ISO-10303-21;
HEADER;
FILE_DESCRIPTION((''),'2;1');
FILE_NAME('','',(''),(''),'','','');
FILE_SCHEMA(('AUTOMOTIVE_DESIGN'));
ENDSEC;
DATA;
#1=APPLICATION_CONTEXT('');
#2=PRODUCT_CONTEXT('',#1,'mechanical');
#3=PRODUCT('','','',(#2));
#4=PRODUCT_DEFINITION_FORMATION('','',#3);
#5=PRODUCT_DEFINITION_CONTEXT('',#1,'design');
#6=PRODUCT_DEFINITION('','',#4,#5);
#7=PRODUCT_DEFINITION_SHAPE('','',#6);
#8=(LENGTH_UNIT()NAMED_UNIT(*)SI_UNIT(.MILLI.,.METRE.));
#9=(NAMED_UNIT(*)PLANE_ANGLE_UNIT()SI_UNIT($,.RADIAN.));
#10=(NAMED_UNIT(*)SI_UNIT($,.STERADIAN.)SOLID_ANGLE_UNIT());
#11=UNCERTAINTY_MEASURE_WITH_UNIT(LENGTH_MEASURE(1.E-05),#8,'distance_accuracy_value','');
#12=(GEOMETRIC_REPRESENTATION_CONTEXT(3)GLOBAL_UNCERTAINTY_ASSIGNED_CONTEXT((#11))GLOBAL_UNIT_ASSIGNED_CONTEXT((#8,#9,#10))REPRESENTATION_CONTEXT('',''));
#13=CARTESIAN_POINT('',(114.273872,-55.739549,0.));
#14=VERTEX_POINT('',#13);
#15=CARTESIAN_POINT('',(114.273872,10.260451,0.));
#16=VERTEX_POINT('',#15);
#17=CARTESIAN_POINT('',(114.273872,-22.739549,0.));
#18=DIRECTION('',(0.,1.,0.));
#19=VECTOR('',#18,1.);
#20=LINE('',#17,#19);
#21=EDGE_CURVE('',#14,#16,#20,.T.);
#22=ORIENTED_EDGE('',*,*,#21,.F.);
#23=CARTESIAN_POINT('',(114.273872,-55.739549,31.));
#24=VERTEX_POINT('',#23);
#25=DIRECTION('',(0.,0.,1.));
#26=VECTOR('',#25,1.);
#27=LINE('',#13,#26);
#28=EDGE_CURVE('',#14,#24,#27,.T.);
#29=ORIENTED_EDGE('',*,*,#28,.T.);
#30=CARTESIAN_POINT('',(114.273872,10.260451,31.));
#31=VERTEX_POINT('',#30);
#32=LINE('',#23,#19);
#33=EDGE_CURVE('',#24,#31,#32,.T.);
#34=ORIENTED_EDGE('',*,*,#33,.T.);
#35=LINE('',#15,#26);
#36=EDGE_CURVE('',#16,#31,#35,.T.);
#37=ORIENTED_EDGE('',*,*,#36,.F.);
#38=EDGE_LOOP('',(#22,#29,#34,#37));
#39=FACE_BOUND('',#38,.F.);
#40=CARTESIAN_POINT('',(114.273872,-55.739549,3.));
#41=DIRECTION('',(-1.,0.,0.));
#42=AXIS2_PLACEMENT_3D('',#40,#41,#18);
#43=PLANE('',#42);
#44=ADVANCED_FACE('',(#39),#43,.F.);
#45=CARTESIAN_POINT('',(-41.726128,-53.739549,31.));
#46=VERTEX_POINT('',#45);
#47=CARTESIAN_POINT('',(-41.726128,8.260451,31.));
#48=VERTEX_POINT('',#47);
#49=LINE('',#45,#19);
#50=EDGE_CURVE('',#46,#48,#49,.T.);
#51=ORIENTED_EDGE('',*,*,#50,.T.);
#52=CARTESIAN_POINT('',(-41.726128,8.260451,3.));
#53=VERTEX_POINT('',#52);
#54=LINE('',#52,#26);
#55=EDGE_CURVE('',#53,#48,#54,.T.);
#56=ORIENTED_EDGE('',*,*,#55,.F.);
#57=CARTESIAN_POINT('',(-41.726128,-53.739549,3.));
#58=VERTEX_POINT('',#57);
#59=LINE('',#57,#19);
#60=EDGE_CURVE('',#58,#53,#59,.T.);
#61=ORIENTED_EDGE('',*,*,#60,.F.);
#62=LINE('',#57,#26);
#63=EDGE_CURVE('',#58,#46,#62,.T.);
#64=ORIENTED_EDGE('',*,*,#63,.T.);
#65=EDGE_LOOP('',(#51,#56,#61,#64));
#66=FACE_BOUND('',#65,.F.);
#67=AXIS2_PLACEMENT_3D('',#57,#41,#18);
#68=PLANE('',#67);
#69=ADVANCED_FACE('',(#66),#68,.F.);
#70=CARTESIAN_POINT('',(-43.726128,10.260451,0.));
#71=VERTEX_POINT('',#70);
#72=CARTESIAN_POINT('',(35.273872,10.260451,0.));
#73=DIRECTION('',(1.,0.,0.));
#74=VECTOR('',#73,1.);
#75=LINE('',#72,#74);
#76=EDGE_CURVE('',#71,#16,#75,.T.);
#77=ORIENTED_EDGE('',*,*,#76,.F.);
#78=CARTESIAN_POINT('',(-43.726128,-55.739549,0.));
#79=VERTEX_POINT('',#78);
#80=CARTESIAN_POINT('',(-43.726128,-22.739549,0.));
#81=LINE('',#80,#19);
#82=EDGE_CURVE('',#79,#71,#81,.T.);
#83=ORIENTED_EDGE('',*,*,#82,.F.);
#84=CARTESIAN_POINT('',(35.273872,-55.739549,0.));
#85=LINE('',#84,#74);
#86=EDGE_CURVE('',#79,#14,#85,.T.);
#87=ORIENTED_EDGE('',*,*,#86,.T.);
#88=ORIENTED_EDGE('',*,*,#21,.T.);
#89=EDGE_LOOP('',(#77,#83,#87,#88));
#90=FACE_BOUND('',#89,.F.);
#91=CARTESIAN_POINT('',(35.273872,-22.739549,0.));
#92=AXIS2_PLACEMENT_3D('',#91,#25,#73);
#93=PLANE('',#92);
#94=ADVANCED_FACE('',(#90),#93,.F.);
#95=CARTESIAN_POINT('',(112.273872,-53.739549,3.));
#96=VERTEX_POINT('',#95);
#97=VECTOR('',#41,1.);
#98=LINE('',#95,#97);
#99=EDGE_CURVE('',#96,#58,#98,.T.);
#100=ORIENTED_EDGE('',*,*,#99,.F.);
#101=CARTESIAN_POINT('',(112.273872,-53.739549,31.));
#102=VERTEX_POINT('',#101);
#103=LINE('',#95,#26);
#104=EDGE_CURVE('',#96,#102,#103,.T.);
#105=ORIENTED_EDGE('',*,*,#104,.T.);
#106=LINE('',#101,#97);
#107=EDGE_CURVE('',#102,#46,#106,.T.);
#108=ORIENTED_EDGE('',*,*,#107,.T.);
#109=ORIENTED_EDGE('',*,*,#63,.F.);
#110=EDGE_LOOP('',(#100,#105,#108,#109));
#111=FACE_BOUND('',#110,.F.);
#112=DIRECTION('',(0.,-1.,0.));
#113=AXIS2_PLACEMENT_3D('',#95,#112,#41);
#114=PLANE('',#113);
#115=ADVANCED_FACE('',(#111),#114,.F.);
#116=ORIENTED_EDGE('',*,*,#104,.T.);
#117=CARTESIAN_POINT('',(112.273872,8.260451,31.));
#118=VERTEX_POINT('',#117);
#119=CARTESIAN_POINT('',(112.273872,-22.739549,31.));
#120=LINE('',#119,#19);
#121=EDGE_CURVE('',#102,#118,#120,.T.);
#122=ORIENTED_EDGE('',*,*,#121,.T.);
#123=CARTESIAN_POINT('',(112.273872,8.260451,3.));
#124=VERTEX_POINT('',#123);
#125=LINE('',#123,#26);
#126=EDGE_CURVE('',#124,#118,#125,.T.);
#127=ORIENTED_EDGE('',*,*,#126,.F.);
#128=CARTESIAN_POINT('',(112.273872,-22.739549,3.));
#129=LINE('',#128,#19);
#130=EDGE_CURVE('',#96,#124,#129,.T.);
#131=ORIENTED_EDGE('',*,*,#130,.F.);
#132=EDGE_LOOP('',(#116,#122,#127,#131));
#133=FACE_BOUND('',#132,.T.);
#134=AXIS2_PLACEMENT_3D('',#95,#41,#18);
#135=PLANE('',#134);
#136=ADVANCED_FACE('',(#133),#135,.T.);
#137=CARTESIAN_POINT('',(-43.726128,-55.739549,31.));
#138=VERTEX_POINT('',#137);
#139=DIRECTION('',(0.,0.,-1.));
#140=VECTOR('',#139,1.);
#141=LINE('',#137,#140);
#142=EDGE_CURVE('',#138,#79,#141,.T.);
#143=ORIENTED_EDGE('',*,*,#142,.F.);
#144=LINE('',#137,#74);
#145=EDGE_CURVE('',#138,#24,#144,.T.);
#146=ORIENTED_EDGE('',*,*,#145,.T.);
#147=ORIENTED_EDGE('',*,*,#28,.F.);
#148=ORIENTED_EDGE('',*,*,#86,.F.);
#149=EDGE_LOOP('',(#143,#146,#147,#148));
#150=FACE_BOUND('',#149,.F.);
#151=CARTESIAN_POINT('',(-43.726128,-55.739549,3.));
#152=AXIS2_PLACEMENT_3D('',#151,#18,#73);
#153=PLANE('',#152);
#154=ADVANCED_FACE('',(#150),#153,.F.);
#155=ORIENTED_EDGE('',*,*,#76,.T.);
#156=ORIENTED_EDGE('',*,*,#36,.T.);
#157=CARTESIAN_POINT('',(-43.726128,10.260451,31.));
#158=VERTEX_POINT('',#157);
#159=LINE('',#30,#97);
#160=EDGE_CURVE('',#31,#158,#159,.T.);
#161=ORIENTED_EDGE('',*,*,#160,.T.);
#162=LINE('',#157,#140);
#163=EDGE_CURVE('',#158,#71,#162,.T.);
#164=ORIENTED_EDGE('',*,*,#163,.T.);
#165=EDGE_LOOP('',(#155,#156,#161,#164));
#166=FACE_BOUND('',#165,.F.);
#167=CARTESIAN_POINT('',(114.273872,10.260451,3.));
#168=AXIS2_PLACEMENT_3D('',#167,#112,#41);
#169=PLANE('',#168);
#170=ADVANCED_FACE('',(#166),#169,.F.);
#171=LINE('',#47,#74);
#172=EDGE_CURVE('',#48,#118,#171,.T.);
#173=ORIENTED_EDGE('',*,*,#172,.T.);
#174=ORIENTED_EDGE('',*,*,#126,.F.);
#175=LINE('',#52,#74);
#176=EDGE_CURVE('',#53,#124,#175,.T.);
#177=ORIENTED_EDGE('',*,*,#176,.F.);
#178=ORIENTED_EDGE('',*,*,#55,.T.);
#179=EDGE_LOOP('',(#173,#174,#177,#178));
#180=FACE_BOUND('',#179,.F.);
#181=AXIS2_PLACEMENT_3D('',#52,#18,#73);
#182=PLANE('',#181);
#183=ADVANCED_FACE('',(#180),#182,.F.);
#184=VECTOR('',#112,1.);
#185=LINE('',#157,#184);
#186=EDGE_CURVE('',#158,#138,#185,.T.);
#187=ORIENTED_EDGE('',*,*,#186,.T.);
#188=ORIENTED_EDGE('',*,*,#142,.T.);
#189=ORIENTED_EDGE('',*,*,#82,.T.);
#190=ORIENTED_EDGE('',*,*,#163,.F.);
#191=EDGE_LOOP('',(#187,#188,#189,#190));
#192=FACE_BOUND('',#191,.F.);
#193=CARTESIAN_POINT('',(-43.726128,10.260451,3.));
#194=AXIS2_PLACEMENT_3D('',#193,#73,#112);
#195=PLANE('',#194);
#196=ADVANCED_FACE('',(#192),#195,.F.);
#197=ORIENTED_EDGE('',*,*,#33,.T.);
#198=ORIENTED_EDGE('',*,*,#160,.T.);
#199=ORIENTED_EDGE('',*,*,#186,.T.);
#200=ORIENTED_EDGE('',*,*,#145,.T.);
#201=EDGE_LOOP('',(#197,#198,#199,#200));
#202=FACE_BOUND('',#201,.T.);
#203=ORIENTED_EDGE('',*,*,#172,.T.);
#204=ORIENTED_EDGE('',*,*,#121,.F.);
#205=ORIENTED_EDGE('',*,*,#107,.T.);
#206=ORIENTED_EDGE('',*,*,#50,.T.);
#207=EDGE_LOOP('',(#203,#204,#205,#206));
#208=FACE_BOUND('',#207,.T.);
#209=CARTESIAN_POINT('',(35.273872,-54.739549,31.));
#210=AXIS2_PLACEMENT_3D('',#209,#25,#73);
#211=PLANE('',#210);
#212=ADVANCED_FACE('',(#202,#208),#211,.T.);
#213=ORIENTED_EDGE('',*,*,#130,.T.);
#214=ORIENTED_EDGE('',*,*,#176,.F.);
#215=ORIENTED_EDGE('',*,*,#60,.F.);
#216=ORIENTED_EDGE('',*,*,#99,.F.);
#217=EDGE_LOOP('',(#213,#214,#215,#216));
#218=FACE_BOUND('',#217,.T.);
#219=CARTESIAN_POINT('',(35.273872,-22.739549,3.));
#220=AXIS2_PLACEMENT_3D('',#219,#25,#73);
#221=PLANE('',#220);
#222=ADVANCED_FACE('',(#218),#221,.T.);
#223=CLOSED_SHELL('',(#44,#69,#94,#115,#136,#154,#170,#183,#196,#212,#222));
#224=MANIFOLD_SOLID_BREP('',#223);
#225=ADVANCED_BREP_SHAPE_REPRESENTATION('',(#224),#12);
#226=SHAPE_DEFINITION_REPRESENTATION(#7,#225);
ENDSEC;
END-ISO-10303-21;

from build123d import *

# Parameters (mm, degrees)
F0_W     = 158
F0_H     = 66
F1_DEPTH = 3
F2_W     = 154
F2_H     = 2
F2_W_2   = 2
F2_H_2   = 62
F3_DEPTH = 28


with BuildPart() as f1:
    # F0 (on Top) → F1 (new body)
    with BuildSketch(Plane.XY):
        with Locations((35.273872, -22.739549)):
            Rectangle(F0_W, F0_H)
    extrude(amount=F1_DEPTH)

    # F2 (on face) → F3 (join)
    with BuildSketch(Plane.XY.offset(3)):
        with Locations((35.273872, -54.739549)):
            Rectangle(F2_W, F2_H)
        with Locations((-42.726128, -54.739549)):
            Rectangle(F2_W_2, F2_H)
        with Locations((-42.726128, -22.739549)):
            Rectangle(F2_W_2, F2_H_2)
        with Locations((-42.726128, 9.260451)):
            Rectangle(F2_W_2, F2_H)
        with Locations((35.273872, 9.260451)):
            Rectangle(F2_W, F2_H)
        with Locations((113.273872, 9.260451)):
            Rectangle(F2_W_2, F2_H)
        with Locations((113.273872, -22.739549)):
            Rectangle(F2_W_2, F2_H_2)
        with Locations((113.273872, -54.739549)):
            Rectangle(F2_W_2, F2_H)
    extrude(amount=F3_DEPTH)


solid = f1.part
